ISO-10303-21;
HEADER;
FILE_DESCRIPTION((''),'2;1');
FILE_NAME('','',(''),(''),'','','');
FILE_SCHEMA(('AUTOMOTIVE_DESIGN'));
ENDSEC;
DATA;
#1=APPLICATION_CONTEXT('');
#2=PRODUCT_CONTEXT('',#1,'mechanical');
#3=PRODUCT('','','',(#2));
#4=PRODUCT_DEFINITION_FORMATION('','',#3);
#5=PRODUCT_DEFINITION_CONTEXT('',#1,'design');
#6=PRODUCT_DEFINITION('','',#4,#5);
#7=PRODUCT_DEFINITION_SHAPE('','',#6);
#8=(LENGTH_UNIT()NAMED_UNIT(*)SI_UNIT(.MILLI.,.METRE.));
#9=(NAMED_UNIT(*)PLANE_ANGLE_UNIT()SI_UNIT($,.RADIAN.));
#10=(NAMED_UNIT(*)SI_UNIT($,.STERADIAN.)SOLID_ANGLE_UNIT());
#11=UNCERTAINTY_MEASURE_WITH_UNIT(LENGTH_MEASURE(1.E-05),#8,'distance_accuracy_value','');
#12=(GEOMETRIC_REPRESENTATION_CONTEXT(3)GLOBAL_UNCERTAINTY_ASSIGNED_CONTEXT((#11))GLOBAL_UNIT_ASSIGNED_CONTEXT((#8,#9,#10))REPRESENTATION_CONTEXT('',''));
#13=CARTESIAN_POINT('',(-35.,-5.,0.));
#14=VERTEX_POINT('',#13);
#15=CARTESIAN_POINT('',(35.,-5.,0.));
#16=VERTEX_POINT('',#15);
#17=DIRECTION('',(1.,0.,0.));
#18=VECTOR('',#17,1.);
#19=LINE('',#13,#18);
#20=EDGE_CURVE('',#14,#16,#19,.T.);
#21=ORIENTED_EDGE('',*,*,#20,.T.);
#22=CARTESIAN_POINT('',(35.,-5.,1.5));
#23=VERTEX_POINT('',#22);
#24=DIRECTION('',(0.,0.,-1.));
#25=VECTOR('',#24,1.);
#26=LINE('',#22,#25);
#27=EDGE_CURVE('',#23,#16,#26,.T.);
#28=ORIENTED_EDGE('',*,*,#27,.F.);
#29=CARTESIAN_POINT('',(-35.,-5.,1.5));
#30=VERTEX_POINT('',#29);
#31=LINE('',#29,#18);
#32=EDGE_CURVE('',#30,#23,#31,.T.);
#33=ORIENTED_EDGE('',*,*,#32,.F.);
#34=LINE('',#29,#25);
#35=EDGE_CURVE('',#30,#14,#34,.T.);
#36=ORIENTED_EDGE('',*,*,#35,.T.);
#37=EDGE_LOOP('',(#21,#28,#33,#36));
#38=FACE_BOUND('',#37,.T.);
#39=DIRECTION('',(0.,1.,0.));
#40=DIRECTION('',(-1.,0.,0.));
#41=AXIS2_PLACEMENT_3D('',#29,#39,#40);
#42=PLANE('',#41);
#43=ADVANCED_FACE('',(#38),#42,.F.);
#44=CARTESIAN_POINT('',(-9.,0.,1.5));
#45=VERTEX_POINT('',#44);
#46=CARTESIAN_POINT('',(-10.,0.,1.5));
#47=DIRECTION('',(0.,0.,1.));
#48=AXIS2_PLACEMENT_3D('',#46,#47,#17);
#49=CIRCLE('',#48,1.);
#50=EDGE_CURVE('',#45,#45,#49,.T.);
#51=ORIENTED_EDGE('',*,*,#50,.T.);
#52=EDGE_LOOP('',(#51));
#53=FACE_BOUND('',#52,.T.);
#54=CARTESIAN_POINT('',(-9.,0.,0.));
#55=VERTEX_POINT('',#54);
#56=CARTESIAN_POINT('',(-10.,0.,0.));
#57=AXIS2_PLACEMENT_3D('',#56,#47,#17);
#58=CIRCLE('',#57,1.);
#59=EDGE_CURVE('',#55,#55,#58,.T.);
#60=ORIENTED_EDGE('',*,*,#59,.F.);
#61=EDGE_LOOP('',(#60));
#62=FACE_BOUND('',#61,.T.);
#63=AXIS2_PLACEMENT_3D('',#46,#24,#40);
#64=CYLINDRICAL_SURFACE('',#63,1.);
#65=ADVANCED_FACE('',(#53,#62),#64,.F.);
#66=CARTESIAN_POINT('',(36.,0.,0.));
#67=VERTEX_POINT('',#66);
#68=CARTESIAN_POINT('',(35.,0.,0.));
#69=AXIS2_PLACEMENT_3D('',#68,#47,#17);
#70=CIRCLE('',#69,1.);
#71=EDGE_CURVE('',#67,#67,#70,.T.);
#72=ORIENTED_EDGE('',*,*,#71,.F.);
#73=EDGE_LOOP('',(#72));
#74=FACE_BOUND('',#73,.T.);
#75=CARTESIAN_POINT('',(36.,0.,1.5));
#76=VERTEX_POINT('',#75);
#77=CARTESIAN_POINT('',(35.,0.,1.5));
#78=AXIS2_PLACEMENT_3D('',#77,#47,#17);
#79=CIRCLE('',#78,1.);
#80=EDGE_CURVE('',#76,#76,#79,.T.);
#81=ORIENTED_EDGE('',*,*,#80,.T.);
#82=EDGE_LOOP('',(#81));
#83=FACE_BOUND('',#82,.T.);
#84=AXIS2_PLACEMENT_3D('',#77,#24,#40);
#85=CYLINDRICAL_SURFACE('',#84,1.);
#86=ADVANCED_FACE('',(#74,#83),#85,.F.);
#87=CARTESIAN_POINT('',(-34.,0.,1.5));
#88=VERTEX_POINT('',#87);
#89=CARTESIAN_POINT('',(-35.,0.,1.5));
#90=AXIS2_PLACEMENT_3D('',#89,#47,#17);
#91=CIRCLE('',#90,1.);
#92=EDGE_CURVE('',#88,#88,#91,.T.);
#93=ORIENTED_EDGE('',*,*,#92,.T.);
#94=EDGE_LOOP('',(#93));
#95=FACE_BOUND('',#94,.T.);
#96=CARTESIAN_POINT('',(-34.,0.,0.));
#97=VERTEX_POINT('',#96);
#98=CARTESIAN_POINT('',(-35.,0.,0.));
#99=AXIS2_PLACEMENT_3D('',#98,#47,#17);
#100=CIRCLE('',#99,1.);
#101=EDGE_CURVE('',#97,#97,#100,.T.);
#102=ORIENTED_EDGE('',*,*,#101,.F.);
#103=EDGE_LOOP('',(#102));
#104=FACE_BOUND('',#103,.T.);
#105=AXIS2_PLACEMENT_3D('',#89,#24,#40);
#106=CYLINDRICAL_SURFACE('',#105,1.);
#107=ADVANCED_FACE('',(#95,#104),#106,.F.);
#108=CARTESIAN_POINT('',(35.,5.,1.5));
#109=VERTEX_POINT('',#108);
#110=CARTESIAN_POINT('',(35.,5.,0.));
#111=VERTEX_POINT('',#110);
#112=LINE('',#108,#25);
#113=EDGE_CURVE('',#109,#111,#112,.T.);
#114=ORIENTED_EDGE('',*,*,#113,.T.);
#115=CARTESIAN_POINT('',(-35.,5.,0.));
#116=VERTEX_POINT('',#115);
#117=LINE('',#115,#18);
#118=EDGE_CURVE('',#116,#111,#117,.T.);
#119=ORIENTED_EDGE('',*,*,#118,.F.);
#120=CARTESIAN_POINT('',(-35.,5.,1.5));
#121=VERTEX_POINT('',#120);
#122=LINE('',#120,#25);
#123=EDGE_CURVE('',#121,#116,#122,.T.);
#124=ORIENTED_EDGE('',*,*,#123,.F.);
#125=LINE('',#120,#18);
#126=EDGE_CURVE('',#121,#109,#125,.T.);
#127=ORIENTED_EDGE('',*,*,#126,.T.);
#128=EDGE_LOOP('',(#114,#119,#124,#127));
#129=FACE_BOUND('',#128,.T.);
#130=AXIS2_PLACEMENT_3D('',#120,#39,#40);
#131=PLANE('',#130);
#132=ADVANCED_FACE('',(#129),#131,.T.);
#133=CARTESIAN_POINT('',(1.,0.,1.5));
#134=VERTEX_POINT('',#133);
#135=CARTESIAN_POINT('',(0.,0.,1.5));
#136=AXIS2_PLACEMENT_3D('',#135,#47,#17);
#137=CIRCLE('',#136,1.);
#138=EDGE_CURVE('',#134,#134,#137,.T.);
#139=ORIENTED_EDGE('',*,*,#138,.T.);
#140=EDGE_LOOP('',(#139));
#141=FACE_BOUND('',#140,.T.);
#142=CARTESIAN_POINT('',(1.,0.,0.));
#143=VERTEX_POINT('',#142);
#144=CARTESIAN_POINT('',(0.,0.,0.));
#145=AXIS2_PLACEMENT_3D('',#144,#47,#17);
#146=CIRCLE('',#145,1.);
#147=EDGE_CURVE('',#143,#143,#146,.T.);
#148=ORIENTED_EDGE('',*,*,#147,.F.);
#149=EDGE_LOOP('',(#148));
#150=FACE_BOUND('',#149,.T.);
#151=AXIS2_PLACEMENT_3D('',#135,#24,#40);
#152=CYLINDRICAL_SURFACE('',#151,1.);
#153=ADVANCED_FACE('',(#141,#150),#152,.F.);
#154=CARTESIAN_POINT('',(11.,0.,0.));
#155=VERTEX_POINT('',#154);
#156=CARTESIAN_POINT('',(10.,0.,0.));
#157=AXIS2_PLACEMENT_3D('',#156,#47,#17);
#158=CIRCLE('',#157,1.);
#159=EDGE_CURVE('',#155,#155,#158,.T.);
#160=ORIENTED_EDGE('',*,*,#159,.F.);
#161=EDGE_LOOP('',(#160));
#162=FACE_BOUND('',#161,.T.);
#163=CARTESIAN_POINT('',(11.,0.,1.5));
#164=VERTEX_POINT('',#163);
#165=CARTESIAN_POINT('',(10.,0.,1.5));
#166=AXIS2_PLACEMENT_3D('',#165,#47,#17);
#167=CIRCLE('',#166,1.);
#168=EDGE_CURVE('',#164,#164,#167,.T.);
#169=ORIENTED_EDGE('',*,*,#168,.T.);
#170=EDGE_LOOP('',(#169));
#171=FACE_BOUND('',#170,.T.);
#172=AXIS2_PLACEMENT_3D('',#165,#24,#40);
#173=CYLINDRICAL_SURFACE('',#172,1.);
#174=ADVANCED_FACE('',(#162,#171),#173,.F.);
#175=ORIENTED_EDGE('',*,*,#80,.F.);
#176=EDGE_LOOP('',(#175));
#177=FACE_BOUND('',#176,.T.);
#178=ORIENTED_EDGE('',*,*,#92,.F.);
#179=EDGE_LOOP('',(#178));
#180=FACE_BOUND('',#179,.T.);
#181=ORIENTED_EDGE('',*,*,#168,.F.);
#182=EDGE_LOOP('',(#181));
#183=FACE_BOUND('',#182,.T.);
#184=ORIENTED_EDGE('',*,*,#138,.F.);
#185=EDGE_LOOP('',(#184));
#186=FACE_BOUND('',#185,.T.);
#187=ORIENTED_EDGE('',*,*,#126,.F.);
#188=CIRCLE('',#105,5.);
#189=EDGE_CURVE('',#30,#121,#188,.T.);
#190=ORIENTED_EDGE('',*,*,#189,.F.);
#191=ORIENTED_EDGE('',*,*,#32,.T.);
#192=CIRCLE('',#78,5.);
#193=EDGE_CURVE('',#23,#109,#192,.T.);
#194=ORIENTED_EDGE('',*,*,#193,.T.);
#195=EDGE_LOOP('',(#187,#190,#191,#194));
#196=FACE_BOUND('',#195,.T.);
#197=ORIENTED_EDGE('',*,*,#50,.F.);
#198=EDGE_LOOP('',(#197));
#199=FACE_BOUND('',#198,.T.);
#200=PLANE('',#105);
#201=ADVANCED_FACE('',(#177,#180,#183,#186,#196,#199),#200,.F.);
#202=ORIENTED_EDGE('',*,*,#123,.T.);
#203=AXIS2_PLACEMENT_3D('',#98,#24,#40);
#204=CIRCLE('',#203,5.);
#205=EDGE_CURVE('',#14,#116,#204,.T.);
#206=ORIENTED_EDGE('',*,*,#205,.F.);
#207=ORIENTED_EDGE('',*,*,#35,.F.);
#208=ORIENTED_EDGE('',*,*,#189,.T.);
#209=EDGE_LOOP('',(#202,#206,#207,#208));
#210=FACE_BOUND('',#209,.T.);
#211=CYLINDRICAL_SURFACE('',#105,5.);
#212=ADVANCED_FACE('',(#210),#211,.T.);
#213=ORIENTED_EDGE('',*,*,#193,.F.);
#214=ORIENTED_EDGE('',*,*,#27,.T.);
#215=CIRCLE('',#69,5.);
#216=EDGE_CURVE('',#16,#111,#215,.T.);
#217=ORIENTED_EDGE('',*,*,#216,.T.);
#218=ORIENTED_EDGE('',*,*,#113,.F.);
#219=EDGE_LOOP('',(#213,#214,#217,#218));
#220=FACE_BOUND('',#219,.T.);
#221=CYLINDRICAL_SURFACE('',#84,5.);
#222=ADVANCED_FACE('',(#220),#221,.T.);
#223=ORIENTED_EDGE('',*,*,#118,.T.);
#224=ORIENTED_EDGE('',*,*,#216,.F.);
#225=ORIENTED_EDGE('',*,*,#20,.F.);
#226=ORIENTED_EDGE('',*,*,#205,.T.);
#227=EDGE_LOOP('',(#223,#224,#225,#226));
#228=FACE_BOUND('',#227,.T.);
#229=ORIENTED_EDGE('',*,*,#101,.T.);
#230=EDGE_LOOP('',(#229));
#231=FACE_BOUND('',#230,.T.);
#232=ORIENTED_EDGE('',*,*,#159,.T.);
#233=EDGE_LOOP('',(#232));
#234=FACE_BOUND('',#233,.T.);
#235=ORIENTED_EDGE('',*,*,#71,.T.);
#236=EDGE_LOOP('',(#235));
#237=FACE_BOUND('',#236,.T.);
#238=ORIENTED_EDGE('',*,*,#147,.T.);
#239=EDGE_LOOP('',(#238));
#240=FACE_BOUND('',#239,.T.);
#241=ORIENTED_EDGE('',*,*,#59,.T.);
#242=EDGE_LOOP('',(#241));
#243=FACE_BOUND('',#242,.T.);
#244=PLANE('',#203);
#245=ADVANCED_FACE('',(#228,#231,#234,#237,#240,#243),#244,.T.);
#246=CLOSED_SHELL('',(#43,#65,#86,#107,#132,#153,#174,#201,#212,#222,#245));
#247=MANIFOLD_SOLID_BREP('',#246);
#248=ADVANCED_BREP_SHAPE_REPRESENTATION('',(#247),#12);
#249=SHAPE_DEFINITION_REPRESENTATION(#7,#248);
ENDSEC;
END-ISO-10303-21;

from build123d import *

# Parameters (mm, degrees)
ESQUISSE1_R        = 1
BOSS_EXTRU_2_DEPTH = 1.5


with BuildPart() as part:
    # Esquisse1 → Boss.-Extru.2 (new body)
    with BuildSketch(Plane.XY):
        with BuildLine():
            Line((-35, 5), (35, 5))
            ThreePointArc((35, 5), (40, 0), (35, -5))
            Line((35, -5), (-35, -5))
            ThreePointArc((-35, -5), (-40, 0), (-35, 5))
        make_face()
        with Locations((-35, 0)):
            Circle(ESQUISSE1_R, mode=Mode.SUBTRACT)
        Circle(ESQUISSE1_R, mode=Mode.SUBTRACT)
        with Locations((35, 0)):
            Circle(ESQUISSE1_R, mode=Mode.SUBTRACT)
        with Locations((-10, 0)):
            Circle(ESQUISSE1_R, mode=Mode.SUBTRACT)
        with Locations((10, 0)):
            Circle(ESQUISSE1_R, mode=Mode.SUBTRACT)
    extrude(amount=BOSS_EXTRU_2_DEPTH)


solid = part.part
